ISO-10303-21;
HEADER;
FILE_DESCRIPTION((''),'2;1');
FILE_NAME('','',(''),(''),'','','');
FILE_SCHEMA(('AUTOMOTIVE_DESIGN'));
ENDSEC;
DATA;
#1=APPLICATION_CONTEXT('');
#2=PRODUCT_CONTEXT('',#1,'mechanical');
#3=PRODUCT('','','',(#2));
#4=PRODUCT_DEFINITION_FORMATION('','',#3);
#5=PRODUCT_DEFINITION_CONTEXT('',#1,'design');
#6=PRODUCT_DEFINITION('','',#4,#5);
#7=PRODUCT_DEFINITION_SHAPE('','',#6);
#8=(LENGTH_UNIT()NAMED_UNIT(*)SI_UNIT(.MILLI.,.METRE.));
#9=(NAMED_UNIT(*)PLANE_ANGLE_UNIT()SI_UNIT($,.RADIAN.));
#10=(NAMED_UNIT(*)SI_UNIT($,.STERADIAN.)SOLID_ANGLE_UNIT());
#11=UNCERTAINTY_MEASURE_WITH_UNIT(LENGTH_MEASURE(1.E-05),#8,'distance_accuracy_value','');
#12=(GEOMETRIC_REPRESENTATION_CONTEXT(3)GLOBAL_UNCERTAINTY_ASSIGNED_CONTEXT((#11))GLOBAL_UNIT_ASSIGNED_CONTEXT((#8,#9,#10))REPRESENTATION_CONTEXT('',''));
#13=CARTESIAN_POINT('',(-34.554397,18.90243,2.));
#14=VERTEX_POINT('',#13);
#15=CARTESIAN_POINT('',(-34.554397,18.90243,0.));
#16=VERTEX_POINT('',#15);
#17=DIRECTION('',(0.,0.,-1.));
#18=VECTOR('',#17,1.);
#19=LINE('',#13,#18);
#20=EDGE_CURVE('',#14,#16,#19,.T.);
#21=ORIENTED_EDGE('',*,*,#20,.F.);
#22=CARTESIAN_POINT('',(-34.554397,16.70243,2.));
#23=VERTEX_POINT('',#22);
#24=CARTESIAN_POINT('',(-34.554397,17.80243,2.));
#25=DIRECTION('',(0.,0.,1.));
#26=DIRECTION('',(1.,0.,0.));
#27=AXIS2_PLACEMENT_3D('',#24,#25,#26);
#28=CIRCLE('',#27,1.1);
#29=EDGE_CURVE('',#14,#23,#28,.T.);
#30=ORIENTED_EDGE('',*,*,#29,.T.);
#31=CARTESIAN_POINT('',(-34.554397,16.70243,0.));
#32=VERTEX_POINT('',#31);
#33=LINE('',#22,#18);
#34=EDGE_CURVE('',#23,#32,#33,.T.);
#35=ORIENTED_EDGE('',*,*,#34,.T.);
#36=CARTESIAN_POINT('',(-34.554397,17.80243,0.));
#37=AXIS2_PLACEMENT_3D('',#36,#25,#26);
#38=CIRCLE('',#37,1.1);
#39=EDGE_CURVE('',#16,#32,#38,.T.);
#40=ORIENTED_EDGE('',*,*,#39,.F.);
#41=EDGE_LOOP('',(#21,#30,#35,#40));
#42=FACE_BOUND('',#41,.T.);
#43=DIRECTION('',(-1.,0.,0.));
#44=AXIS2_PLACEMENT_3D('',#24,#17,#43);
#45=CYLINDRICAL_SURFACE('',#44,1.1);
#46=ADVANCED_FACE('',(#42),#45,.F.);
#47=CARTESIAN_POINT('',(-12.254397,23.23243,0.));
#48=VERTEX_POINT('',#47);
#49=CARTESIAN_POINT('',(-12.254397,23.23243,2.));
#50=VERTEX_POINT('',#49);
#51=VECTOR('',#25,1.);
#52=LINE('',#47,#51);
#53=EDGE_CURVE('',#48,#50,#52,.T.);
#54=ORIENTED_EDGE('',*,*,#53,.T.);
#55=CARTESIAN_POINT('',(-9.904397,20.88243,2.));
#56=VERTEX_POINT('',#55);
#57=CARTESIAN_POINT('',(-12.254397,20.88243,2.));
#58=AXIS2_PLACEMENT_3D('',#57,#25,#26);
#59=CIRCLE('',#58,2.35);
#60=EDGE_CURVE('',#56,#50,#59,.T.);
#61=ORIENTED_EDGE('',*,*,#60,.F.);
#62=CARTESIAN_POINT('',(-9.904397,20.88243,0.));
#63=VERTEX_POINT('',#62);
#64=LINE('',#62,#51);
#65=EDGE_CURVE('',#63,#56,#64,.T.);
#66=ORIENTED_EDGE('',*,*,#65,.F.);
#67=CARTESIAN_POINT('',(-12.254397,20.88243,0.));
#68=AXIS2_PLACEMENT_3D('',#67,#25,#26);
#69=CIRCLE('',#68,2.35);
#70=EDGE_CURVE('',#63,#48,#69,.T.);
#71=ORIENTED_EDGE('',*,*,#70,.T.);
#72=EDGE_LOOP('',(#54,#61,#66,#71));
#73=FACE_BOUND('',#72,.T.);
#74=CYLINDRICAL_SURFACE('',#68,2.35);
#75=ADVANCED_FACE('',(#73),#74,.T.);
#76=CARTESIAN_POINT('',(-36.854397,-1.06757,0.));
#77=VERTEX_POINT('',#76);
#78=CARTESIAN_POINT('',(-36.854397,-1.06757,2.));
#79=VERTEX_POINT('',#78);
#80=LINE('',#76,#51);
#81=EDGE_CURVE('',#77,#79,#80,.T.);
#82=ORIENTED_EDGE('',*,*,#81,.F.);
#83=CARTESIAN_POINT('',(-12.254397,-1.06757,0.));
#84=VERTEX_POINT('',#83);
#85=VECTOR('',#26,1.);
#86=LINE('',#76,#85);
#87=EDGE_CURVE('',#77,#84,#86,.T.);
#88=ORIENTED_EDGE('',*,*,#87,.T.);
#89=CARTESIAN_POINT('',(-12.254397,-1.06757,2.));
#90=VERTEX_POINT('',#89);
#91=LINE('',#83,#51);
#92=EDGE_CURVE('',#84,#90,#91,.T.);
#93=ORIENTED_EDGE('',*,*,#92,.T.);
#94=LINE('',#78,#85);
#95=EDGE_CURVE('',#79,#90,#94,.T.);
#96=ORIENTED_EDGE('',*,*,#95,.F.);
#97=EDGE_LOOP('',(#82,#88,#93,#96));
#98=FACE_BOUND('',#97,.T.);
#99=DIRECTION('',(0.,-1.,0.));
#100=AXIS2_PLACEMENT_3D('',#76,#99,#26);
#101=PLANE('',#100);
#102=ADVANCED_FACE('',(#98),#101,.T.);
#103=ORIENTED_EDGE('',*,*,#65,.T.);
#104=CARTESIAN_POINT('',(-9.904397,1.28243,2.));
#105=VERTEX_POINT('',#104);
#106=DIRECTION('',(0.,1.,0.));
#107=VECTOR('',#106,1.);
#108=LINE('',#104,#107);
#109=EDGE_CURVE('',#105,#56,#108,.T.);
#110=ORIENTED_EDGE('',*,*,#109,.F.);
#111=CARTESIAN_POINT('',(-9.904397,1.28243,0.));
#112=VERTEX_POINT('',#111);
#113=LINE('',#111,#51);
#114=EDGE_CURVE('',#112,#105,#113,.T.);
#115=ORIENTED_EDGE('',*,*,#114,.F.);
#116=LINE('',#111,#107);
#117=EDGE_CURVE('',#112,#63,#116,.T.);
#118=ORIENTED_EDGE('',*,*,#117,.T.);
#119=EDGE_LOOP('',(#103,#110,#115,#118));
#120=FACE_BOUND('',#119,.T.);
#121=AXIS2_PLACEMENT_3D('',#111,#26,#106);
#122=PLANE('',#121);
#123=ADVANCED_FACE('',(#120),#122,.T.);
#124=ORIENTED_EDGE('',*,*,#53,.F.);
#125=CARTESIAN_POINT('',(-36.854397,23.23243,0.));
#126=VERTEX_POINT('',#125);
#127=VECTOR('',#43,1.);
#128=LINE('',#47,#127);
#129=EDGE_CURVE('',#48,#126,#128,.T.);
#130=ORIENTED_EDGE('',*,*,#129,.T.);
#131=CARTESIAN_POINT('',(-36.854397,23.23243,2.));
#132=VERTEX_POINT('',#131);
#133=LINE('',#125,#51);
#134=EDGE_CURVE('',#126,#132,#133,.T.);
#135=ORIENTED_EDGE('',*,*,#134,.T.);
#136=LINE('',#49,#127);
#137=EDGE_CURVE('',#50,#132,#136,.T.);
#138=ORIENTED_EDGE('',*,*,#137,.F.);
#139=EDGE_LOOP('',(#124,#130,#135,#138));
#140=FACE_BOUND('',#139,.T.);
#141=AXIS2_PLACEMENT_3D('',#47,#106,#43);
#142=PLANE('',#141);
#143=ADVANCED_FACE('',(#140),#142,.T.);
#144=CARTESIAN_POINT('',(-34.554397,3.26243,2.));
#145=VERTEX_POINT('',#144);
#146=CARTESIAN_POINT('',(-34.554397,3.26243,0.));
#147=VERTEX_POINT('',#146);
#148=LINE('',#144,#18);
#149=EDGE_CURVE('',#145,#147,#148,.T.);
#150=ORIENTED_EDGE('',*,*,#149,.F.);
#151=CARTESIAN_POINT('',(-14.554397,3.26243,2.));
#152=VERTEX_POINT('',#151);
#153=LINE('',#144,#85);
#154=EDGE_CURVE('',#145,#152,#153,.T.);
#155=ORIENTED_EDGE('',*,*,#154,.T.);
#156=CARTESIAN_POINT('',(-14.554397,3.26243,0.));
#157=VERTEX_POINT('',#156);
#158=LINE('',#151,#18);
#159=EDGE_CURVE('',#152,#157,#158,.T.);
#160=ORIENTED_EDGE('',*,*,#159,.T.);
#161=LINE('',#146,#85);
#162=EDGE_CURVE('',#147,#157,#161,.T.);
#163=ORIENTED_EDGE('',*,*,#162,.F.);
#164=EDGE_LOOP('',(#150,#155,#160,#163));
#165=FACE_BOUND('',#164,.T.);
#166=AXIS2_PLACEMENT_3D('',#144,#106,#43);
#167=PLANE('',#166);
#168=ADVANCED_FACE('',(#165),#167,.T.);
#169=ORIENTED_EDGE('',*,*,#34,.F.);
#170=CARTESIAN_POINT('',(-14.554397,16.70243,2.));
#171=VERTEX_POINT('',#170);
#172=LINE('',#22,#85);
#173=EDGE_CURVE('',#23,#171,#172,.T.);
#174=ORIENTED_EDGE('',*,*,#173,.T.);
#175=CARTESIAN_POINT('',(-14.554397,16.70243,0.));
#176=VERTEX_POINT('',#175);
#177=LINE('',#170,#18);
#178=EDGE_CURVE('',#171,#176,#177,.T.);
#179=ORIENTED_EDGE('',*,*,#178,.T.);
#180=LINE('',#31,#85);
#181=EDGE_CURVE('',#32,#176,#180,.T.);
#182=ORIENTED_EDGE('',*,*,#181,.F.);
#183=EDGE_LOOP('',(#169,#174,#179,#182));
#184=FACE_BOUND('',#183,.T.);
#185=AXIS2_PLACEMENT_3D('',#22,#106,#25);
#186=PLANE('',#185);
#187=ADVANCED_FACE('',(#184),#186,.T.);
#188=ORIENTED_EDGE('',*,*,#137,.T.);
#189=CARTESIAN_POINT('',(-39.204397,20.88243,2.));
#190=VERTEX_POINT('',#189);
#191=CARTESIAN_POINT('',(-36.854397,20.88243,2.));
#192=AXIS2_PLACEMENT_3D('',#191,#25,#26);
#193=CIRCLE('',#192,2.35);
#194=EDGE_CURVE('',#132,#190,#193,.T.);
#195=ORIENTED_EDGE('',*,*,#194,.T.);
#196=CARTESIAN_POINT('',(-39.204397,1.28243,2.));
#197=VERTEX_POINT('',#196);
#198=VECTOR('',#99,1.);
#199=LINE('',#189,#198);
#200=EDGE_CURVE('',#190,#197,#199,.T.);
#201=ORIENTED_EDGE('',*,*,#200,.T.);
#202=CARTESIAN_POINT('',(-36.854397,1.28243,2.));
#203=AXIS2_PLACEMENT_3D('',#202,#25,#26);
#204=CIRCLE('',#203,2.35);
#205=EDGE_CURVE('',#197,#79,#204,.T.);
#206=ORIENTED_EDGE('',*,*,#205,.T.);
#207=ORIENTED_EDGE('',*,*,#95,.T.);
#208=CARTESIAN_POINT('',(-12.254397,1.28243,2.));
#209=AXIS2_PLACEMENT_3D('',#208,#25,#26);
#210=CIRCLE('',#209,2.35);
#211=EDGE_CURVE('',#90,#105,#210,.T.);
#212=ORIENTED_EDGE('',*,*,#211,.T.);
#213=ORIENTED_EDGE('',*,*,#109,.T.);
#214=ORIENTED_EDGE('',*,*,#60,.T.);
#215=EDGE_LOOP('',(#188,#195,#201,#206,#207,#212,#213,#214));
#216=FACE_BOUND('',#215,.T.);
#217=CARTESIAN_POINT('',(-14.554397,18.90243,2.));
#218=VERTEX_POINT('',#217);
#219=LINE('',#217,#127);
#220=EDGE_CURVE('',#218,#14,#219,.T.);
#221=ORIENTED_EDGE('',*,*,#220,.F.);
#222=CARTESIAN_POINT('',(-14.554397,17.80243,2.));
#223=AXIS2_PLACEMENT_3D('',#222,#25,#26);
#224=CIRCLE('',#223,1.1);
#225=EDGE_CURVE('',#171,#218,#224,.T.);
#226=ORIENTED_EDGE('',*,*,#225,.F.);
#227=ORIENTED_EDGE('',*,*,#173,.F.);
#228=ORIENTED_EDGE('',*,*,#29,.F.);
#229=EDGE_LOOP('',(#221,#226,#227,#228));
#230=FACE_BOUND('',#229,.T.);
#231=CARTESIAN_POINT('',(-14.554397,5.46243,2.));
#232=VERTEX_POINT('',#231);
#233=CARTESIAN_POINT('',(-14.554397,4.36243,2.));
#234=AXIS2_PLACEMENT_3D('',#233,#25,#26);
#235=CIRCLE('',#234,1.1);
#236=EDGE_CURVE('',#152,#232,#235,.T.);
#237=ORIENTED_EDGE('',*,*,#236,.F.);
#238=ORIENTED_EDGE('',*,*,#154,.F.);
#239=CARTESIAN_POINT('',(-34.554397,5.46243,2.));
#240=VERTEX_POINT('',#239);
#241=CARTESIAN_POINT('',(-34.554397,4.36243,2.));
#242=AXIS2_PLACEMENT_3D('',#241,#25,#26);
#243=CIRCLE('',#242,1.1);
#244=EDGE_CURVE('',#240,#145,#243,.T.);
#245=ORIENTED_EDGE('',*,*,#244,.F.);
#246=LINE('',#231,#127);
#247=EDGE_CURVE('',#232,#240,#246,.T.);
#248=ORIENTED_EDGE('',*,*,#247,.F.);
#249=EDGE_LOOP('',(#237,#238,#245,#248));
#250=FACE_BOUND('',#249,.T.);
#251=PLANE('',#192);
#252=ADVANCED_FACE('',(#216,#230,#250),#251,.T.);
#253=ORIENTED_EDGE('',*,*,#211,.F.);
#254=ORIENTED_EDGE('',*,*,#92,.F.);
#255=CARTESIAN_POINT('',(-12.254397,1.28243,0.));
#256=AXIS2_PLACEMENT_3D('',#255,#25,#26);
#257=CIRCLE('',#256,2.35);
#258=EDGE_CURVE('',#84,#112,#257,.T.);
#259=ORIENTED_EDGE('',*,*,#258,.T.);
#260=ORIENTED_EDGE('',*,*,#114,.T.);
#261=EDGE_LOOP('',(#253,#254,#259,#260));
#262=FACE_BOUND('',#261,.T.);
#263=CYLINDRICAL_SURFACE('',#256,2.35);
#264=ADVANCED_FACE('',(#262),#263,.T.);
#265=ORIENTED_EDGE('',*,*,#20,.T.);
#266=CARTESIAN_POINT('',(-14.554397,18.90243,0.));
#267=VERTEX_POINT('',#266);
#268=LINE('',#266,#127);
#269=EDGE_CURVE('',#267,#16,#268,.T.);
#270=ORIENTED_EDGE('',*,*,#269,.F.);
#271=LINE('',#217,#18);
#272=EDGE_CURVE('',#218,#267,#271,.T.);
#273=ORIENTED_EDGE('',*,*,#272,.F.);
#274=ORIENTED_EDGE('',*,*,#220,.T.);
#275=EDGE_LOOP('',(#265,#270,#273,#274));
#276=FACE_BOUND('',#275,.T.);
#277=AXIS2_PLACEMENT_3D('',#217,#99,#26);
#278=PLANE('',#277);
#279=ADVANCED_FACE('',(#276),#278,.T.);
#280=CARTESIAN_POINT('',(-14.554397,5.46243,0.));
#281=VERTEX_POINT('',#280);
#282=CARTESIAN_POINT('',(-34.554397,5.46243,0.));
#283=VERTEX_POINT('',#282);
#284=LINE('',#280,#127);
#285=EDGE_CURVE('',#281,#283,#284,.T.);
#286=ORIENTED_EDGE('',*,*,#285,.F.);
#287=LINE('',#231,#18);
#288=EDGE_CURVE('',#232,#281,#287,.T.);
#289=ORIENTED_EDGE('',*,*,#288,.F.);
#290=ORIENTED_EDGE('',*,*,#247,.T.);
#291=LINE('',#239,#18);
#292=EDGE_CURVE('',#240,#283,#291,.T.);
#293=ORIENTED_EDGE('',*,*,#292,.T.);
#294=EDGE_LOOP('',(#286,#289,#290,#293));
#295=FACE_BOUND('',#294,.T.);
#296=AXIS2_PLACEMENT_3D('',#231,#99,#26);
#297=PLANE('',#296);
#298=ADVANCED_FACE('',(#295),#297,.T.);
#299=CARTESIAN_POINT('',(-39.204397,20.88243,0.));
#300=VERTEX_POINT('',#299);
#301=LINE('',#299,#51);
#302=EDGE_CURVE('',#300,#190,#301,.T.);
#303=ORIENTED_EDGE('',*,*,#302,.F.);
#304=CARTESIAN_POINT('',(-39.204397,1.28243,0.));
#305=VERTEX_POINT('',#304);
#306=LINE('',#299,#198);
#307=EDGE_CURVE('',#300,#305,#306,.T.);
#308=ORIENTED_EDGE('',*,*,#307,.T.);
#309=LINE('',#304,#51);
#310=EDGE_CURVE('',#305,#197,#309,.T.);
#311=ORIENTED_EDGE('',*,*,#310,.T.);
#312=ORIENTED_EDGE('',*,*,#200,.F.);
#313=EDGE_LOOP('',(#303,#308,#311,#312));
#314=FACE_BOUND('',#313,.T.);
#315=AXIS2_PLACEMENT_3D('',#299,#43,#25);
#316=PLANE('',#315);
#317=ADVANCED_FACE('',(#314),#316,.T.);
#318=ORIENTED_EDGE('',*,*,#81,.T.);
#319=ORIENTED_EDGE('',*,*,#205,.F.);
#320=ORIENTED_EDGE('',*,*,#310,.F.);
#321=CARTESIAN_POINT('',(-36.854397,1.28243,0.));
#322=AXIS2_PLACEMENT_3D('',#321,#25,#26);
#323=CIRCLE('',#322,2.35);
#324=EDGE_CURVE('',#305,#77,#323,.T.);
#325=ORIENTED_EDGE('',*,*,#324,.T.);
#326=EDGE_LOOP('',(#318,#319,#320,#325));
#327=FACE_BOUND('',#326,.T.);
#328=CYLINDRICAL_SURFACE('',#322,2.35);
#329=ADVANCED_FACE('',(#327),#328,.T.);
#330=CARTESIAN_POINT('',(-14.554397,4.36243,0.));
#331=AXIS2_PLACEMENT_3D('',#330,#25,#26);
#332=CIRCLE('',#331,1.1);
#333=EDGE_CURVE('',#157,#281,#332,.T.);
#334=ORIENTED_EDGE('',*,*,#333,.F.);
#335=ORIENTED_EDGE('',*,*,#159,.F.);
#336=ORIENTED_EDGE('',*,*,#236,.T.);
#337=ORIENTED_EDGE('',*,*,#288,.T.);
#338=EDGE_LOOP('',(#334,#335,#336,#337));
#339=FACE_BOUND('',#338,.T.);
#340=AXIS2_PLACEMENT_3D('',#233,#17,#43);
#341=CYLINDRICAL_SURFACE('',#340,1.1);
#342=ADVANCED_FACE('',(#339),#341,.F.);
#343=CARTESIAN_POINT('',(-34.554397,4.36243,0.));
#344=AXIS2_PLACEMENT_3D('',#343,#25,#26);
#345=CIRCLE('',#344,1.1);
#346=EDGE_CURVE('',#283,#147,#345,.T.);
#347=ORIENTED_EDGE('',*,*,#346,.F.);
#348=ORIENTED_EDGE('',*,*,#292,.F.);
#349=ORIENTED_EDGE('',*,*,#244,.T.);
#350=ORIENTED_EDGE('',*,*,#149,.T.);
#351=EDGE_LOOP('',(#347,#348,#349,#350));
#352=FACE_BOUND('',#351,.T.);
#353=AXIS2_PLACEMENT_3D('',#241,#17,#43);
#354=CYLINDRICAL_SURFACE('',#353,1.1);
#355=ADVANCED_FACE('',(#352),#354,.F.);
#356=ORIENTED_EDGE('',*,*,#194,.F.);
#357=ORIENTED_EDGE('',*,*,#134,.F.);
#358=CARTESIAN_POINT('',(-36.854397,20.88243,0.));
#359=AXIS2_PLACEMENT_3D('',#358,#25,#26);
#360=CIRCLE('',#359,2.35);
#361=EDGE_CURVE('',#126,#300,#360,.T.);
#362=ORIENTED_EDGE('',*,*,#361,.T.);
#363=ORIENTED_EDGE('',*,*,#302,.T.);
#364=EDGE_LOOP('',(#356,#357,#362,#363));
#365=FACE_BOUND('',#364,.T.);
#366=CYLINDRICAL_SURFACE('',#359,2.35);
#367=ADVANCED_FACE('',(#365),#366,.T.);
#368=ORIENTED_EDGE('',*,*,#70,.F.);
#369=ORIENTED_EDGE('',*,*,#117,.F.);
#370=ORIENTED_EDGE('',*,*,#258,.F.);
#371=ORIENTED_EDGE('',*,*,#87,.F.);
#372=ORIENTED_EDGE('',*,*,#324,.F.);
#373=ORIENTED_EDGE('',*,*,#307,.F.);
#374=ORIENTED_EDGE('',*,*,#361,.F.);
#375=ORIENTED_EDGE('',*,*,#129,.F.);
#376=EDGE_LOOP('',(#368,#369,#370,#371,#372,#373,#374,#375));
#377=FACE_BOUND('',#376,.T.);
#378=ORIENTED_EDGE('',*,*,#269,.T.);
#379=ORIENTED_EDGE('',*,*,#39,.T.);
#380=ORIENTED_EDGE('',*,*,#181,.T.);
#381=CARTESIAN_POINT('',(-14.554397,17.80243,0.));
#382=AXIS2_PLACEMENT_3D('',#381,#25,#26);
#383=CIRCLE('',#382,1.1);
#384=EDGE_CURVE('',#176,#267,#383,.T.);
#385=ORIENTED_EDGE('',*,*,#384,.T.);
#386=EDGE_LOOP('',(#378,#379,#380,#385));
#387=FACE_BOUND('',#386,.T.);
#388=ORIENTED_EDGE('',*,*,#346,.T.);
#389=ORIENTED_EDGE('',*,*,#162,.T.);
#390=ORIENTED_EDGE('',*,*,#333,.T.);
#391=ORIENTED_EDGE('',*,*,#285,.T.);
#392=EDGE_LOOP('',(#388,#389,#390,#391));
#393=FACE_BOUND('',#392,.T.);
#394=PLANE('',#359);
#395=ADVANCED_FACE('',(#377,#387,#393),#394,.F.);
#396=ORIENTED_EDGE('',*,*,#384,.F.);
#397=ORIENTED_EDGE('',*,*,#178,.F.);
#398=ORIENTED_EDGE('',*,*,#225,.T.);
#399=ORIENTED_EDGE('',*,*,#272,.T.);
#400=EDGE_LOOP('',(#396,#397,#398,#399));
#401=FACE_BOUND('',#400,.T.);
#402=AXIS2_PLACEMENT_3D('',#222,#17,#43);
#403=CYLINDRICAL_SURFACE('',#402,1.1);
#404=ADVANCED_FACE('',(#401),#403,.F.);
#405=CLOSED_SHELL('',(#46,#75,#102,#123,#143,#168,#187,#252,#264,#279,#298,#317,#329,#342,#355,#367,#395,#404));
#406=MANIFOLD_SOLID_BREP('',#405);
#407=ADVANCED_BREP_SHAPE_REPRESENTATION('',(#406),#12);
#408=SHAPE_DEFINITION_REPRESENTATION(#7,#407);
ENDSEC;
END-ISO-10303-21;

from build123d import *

# Parameters (mm, degrees)
SALIENTE_EXTRUIR1_DEPTH = 2
CORTAR_EXTRUIR1_START   = -2
CORTAR_EXTRUIR1_DEPTH   = 2


with BuildPart() as part:
    # Croquis1 → Saliente-Extruir1 (new body)
    with BuildSketch(Plane.XY):
        with BuildLine():
            Line((-39.554396855, 20.88242961), (-39.554396855, 1.28242961))
            ThreePointArc((-39.554396855, 1.28242961), (-38.763585164, -0.626758699), (-36.854396855, -1.41757039))
            Line((-36.854396855, -1.41757039), (-12.254396855, -1.41757039))
            ThreePointArc((-12.254396855, -1.41757039), (-10.345208546, -0.626758699), (-9.554396855, 1.28242961))
            Line((-9.554396855, 1.28242961), (-9.554396855, 20.88242961))
            ThreePointArc((-9.554396855, 20.88242961), (-10.345208546, 22.791617919), (-12.254396855, 23.58242961))
            Line((-12.254396855, 23.58242961), (-36.854396855, 23.58242961))
            ThreePointArc((-36.854396855, 23.58242961), (-38.763585164, 22.791617919), (-39.554396855, 20.88242961))
        make_face()
        with BuildLine():
            Line((-14.554396855, 18.90242961), (-34.554396855, 18.90242961))
            ThreePointArc((-34.554396855, 18.90242961), (-35.654396855, 17.80242961), (-34.554396855, 16.70242961))
            Line((-34.554396855, 16.70242961), (-14.554396855, 16.70242961))
            ThreePointArc((-14.554396855, 16.70242961), (-13.454396855, 17.80242961), (-14.554396855, 18.90242961))
        make_face(mode=Mode.SUBTRACT)
        with BuildLine():
            Line((-34.554396855, 3.26242961), (-14.554396855, 3.26242961))
            ThreePointArc((-14.554396855, 3.26242961), (-13.454396855, 4.36242961), (-14.554396855, 5.46242961))
            Line((-14.554396855, 5.46242961), (-34.554396855, 5.46242961))
            ThreePointArc((-34.554396855, 5.46242961), (-35.654396855, 4.36242961), (-34.554396855, 3.26242961))
        make_face(mode=Mode.SUBTRACT)
    extrude(amount=SALIENTE_EXTRUIR1_DEPTH)

    # Croquis2 → Cortar-Extruir1 (cut)
    with BuildSketch(Plane.XY.offset(2).offset(CORTAR_EXTRUIR1_START)):
        with BuildLine():
            Line((-39.554396855, 20.88242961), (-39.554396855, 1.28242961))
            ThreePointArc((-39.554396855, 1.28242961), (-38.763585164, -0.626758699), (-36.854396855, -1.41757039))
            Line((-36.854396855, -1.41757039), (-12.254396855, -1.41757039))
            ThreePointArc((-12.254396855, -1.41757039), (-10.345208546, -0.626758699), (-9.554396855, 1.28242961))
            Line((-9.554396855, 1.28242961), (-9.554396855, 20.88242961))
            ThreePointArc((-9.554396855, 20.88242961), (-10.345208546, 22.791617919), (-12.254396855, 23.58242961))
            Line((-12.254396855, 23.58242961), (-36.854396855, 23.58242961))
            ThreePointArc((-36.854396855, 23.58242961), (-38.763585164, 22.791617919), (-39.554396855, 20.88242961))
        make_face()
        with BuildLine():
            Line((-39.204396855, 20.88242961), (-39.204396855, 1.28242961))
            ThreePointArc((-39.204396855, 1.28242961), (-38.516097791, -0.379271326), (-36.854396855, -1.06757039))
            Line((-36.854396855, -1.06757039), (-12.254396855, -1.06757039))
            ThreePointArc((-12.254396855, -1.06757039), (-10.592695919, -0.379271326), (-9.904396855, 1.28242961))
            Line((-9.904396855, 1.28242961), (-9.904396855, 20.88242961))
            ThreePointArc((-9.904396855, 20.88242961), (-10.592695919, 22.544130546), (-12.254396855, 23.23242961))
            Line((-12.254396855, 23.23242961), (-36.854396855, 23.23242961))
            ThreePointArc((-36.854396855, 23.23242961), (-38.516097791, 22.544130546), (-39.204396855, 20.88242961))
        make_face(mode=Mode.SUBTRACT)
    extrude(amount=CORTAR_EXTRUIR1_DEPTH, mode=Mode.SUBTRACT)


solid = part.part
